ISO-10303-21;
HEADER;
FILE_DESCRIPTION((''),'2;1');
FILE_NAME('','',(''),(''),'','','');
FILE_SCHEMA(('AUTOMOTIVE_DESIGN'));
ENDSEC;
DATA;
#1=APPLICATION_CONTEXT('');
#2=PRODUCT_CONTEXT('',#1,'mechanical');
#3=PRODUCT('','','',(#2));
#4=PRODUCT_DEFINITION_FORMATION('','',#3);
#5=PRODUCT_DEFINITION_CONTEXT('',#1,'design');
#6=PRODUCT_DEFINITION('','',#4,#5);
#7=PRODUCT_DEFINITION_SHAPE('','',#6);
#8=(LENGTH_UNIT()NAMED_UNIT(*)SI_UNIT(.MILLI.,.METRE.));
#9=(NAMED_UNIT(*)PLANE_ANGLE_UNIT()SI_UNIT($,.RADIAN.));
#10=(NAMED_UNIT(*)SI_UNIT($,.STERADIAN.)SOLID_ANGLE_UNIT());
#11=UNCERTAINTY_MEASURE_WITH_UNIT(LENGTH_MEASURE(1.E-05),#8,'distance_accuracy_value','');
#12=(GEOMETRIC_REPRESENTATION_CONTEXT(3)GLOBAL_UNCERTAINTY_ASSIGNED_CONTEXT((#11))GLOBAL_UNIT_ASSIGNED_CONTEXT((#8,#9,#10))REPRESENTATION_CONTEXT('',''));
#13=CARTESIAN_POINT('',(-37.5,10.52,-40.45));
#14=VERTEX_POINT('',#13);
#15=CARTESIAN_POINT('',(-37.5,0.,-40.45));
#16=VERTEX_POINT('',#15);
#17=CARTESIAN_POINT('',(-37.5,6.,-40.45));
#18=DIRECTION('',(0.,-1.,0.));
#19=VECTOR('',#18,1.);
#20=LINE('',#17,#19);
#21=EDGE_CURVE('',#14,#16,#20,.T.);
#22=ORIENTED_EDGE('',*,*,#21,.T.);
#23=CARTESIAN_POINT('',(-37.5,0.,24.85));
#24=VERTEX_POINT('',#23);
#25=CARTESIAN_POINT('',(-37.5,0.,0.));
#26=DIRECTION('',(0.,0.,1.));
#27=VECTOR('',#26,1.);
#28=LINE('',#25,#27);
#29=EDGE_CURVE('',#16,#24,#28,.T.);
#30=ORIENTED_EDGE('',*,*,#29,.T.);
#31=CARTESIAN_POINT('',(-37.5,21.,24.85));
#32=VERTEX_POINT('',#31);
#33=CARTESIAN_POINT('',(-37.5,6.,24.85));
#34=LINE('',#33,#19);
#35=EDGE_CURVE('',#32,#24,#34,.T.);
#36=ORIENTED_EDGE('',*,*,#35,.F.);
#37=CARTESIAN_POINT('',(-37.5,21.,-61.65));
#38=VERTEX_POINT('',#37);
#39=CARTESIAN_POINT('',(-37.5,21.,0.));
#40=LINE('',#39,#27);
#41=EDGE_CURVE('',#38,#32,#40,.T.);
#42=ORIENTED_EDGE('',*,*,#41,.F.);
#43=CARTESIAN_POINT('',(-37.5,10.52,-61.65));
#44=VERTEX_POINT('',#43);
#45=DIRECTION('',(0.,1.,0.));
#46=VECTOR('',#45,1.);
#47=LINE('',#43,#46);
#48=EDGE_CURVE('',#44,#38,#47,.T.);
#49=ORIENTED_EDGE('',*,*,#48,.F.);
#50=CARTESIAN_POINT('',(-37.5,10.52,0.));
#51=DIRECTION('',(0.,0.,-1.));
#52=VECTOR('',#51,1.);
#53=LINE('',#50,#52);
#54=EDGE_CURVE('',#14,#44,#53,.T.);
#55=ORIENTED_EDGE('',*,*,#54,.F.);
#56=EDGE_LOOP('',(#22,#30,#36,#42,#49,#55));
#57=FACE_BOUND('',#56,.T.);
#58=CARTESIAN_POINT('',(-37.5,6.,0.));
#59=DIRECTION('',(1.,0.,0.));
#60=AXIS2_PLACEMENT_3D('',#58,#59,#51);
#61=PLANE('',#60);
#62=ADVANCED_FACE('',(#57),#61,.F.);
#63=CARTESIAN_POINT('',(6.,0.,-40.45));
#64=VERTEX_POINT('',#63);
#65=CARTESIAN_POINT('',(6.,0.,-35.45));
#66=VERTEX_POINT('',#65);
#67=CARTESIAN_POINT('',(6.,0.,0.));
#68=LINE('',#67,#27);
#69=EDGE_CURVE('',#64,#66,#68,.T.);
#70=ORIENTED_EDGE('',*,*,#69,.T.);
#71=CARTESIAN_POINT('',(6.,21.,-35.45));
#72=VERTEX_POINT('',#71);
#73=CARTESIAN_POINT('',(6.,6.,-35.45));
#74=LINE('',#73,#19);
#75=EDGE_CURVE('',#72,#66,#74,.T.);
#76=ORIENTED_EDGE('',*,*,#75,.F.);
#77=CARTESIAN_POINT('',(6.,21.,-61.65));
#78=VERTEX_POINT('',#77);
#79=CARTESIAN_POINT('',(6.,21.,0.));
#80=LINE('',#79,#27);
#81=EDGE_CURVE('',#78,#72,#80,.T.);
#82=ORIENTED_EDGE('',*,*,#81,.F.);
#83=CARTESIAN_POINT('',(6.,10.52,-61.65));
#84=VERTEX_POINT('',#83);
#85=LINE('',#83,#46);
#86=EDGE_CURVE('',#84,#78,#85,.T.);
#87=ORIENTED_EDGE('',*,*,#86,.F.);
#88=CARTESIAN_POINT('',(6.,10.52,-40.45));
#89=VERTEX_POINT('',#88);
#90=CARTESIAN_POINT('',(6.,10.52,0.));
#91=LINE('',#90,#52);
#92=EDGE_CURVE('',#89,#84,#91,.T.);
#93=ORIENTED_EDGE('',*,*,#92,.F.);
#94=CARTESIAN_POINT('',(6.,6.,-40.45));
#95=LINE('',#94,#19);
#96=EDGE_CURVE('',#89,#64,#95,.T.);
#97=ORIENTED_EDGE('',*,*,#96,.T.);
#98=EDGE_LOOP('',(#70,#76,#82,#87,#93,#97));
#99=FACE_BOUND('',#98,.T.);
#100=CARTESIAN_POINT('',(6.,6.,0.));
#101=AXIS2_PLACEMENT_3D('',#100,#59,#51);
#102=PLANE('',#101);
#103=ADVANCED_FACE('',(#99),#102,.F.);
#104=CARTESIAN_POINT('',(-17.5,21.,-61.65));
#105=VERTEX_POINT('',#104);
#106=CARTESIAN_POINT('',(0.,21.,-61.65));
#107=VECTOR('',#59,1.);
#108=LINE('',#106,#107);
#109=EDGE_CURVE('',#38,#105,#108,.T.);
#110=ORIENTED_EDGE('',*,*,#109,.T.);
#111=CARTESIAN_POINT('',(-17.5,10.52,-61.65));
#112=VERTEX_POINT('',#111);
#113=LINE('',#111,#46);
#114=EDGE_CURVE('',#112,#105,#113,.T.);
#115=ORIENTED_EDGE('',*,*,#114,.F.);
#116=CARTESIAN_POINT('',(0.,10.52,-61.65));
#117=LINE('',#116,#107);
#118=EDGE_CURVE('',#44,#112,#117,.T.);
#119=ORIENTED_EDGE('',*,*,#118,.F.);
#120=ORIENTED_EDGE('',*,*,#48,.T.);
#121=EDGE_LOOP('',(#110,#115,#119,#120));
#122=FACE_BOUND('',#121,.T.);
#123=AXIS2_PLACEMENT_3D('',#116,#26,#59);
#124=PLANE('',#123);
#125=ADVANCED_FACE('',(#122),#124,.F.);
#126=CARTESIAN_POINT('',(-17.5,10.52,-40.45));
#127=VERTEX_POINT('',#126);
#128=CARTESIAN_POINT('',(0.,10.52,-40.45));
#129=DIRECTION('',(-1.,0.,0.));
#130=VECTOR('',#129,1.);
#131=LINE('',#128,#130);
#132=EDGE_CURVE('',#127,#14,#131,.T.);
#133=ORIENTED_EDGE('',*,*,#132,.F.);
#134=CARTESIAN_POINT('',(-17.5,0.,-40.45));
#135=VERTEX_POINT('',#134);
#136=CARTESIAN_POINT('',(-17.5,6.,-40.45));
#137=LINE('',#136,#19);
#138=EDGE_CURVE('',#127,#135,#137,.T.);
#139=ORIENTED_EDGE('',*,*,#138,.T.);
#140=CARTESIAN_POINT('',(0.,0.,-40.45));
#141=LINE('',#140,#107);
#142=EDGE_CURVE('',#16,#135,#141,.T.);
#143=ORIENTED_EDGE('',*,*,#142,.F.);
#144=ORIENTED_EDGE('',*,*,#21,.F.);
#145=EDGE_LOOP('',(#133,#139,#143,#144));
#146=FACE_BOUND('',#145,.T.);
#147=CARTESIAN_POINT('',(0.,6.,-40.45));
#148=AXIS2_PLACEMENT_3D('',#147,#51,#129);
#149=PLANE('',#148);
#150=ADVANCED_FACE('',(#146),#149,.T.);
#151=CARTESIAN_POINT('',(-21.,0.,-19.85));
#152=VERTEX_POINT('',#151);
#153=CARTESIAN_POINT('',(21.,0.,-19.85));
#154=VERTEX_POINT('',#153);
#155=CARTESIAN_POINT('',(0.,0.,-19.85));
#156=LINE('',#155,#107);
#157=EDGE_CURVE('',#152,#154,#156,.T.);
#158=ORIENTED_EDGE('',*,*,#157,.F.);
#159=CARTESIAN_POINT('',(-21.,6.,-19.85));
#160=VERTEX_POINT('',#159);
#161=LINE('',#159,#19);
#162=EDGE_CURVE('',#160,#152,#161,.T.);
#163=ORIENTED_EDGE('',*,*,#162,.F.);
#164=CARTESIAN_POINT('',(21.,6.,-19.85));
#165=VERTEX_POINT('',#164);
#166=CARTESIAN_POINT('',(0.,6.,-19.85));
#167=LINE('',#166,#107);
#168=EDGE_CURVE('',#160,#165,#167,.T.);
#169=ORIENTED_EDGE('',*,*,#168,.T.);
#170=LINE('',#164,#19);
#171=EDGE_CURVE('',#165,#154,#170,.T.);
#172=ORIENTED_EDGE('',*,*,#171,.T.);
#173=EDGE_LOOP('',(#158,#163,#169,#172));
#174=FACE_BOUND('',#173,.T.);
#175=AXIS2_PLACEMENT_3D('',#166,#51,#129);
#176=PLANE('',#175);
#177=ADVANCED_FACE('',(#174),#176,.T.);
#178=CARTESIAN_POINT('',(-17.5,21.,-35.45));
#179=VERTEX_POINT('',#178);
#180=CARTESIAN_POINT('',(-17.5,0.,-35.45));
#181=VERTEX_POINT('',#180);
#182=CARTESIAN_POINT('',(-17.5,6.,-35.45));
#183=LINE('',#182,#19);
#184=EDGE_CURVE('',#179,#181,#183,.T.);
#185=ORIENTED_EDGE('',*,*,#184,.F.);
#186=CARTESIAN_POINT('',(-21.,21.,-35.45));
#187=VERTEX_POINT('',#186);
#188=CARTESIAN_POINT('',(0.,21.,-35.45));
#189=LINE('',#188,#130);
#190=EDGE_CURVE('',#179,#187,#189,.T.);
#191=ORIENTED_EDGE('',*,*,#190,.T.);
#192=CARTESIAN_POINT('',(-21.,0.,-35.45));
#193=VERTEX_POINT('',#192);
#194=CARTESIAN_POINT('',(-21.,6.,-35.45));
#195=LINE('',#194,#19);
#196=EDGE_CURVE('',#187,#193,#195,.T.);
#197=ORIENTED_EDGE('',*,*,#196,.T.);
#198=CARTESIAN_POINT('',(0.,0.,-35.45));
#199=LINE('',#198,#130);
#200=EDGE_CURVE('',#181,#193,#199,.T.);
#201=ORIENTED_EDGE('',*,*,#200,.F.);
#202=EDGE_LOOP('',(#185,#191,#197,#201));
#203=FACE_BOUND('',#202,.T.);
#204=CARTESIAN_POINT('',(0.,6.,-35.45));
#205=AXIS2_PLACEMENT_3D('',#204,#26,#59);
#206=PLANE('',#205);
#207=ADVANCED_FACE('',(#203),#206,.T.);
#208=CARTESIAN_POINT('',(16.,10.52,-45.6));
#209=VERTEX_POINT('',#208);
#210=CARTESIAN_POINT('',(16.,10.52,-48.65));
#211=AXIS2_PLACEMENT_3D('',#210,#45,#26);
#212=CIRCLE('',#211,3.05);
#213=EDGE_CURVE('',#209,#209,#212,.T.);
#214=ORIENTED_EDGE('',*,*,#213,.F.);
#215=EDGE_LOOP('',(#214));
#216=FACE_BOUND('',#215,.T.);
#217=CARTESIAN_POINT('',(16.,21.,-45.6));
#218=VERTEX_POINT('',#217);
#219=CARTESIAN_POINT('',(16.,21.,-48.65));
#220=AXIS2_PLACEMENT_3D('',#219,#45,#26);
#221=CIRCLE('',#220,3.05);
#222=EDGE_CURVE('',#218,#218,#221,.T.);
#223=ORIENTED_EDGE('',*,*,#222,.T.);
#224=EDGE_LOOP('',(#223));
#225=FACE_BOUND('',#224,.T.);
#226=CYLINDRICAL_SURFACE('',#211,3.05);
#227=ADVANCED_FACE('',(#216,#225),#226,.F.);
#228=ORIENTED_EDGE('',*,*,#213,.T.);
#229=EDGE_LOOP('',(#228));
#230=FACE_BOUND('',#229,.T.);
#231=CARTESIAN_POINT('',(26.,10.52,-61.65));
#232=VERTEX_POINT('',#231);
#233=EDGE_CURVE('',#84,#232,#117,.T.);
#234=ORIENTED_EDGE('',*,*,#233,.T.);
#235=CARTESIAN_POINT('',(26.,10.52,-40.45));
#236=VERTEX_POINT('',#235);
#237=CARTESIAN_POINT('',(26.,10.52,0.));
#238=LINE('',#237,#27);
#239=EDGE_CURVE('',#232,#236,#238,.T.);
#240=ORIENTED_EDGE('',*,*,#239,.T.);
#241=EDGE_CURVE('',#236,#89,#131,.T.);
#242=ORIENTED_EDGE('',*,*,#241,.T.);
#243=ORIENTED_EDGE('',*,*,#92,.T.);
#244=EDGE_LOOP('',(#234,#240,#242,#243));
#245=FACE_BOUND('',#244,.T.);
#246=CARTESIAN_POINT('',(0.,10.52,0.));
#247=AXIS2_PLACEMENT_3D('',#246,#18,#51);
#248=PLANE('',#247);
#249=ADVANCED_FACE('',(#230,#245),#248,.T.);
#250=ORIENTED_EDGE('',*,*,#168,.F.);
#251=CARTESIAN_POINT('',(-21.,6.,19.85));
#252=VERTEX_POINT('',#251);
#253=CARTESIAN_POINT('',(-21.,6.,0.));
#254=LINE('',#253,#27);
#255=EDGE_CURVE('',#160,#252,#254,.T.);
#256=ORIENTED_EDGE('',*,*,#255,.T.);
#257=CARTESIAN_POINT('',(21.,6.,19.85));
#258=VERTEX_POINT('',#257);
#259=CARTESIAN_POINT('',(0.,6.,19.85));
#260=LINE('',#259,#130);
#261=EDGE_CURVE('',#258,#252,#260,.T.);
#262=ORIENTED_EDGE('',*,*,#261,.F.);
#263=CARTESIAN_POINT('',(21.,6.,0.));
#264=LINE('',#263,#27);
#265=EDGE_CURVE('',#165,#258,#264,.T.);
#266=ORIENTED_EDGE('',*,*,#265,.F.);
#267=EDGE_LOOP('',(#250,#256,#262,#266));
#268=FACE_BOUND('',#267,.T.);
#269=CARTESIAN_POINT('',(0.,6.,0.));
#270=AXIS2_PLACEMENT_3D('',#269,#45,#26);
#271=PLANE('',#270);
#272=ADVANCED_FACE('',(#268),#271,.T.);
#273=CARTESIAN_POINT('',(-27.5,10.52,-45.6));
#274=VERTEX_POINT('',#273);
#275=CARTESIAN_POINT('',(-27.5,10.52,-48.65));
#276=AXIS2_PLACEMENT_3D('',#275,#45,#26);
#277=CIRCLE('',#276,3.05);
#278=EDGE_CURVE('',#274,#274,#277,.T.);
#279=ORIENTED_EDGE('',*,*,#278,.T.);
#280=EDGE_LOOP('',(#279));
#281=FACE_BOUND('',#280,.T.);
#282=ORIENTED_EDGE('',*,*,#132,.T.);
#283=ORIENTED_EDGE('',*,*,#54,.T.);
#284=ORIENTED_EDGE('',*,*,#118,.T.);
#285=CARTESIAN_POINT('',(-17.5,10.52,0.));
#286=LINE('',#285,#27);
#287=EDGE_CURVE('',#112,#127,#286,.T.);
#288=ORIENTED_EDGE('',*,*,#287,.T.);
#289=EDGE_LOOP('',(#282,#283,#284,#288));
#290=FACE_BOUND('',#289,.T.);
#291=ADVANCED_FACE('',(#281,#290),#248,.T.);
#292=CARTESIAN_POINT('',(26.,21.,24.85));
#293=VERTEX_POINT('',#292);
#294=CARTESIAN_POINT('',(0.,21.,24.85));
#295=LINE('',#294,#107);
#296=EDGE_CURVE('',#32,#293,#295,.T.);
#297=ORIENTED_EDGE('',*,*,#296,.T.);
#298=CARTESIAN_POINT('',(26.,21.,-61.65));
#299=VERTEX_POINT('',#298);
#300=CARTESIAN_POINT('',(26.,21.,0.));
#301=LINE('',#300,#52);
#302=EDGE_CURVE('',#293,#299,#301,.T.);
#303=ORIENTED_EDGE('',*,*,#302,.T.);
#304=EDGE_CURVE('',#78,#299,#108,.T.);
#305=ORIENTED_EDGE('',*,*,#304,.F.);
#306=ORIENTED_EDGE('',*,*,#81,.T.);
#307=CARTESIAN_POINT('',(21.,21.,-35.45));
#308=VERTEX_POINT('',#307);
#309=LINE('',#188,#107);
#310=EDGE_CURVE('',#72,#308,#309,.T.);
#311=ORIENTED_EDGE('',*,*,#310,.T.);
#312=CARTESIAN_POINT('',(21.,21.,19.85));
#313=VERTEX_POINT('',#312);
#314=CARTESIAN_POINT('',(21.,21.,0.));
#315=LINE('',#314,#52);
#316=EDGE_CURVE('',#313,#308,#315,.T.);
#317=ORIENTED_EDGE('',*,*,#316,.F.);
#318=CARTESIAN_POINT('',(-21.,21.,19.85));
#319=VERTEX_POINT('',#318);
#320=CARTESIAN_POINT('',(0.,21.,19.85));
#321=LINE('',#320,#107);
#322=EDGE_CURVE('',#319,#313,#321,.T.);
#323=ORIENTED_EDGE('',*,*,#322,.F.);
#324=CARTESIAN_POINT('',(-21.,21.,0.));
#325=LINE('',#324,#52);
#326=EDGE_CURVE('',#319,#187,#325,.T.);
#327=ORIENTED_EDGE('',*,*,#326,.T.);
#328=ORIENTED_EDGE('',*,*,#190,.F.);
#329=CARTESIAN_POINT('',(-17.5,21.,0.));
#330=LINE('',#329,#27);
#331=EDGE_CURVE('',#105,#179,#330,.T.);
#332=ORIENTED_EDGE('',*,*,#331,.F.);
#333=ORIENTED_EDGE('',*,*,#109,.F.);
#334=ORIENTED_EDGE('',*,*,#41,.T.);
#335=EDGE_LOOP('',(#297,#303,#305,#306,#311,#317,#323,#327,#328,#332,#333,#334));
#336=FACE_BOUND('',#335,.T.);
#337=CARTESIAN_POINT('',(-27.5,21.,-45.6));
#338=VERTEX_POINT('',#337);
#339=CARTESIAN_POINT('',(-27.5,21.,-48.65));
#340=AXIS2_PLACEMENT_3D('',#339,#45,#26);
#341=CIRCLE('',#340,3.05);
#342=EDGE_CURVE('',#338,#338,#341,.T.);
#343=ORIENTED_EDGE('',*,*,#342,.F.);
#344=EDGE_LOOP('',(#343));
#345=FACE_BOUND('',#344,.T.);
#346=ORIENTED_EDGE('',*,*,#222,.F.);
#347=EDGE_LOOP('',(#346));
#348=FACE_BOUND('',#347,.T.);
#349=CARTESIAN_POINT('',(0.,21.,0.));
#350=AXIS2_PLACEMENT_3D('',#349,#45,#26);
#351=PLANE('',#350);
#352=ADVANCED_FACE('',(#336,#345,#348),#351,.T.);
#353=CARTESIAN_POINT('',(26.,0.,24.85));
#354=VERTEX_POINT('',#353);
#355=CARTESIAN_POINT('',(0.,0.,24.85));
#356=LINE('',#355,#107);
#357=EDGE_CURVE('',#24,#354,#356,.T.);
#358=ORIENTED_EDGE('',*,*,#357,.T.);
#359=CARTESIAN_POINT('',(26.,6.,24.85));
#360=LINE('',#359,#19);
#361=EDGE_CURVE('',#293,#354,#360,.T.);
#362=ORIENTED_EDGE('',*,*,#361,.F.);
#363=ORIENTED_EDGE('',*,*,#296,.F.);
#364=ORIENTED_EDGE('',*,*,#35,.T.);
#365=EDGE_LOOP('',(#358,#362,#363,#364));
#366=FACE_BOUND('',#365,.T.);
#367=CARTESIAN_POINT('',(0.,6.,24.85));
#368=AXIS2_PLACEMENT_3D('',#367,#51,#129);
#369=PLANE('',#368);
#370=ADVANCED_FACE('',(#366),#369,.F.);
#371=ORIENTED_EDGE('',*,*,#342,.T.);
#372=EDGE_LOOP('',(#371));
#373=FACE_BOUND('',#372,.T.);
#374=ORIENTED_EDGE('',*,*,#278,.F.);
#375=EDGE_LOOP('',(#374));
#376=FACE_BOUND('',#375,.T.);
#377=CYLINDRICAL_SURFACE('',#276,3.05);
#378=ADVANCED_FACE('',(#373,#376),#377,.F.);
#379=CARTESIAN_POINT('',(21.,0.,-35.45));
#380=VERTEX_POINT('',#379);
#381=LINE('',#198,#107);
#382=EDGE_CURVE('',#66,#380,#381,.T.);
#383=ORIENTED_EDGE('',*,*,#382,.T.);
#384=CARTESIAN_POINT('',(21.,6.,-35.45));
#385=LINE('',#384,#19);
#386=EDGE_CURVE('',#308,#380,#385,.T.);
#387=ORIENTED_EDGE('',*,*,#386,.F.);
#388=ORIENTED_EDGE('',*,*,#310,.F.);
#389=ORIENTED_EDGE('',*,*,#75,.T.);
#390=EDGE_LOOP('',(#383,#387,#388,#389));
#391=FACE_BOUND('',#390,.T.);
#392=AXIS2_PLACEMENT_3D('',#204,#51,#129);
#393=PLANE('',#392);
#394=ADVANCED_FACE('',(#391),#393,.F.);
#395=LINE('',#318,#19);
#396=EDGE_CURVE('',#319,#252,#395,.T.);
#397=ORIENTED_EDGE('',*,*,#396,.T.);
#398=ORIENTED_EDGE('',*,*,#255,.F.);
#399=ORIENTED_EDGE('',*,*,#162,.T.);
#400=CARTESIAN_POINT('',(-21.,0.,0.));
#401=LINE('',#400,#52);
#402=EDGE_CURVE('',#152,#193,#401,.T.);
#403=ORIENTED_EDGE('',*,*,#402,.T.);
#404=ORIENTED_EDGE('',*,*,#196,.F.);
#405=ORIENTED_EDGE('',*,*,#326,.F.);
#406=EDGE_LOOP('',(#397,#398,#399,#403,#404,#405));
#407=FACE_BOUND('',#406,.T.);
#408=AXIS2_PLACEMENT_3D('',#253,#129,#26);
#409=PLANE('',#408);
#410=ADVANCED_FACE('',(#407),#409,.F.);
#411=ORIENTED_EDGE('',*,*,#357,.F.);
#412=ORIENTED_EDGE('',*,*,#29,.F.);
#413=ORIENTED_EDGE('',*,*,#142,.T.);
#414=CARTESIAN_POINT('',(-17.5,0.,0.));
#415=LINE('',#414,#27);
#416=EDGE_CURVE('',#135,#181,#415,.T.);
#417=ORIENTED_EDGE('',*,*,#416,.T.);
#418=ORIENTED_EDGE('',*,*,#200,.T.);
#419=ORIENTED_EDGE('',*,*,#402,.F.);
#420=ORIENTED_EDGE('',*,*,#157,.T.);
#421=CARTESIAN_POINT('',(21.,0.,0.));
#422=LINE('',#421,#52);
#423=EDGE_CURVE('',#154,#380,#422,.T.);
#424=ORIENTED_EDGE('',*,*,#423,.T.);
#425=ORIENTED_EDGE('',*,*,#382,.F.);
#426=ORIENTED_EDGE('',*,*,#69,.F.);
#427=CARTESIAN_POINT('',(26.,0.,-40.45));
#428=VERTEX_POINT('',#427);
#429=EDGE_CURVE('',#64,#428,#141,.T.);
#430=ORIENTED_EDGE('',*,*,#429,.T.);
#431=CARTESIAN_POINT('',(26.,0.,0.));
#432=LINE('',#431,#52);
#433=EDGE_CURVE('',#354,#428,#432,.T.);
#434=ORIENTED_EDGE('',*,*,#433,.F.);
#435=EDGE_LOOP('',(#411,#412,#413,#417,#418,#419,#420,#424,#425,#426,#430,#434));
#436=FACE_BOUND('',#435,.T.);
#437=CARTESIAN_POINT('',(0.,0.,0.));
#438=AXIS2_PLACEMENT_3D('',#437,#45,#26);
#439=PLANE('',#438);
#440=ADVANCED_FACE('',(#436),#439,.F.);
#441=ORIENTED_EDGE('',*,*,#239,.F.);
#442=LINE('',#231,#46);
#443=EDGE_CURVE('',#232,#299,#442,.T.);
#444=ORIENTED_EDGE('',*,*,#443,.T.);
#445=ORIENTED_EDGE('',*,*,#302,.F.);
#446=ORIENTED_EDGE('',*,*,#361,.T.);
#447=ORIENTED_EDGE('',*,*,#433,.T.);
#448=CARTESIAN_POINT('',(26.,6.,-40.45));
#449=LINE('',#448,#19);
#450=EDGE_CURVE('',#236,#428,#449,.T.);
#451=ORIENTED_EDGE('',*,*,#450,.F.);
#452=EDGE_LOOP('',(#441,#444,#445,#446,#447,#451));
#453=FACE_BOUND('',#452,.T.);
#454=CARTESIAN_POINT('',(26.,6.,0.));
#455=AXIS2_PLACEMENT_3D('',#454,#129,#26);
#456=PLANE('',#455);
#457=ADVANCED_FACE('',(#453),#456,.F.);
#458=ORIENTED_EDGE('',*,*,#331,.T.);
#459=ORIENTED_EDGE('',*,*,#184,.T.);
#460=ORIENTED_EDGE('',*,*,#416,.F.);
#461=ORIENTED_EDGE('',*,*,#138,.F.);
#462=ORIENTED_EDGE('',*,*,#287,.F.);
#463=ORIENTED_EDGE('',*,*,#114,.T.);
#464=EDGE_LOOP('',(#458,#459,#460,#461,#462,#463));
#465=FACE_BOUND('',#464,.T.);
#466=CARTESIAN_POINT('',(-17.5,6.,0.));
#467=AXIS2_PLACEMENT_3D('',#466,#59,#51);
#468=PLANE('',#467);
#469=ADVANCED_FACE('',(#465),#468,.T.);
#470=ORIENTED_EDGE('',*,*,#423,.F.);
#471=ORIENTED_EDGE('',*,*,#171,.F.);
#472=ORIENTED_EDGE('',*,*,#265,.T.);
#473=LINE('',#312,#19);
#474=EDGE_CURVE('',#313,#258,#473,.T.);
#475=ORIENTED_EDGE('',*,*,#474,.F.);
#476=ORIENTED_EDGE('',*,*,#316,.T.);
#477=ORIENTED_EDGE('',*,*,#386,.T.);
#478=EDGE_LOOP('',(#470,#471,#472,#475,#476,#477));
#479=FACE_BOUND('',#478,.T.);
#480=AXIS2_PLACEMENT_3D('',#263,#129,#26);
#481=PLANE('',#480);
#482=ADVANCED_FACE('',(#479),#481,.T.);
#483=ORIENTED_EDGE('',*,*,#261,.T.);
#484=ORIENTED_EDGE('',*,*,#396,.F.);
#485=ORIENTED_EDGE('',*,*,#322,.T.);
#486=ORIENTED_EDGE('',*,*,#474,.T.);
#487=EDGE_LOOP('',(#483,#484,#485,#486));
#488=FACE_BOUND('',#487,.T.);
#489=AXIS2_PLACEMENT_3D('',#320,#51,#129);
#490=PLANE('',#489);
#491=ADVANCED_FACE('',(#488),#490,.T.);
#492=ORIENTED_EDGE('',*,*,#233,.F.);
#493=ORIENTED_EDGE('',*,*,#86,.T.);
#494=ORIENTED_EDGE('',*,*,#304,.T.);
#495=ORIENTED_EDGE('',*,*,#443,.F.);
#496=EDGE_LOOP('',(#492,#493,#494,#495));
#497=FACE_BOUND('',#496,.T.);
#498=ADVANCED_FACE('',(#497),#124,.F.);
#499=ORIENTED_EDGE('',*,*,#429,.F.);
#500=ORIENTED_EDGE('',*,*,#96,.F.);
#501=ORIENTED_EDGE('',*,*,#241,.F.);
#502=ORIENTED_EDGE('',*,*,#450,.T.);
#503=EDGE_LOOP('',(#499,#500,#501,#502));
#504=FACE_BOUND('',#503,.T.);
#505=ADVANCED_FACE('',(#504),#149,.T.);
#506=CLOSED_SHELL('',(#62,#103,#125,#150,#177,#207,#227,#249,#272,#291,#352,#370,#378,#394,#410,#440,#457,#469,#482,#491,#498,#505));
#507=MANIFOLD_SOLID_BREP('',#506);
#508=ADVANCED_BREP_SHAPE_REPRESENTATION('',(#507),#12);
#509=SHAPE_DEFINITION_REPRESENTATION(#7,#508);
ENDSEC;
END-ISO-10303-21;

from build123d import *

# Parameters (mm, degrees)
BOSS_EXTRUDE1_DEPTH = 6
BOSS_EXTRUDE2_DEPTH = 21
BOSS_EXTRUDE3_START = 21
SKETCH1_6_W         = 20
SKETCH1_6_H         = 21.2
SKETCH1_6_R         = 3.05
BOSS_EXTRUDE3_DEPTH = 10.48


with BuildPart() as part:
    # Sketch1 → Boss-Extrude1 (new body)
    with BuildSketch(Plane(origin=(0, 0, 0), x_dir=(1, 0, 0), z_dir=(0, 1, 0))):
        Polygon((-37.5, 40.45), (-37.5, -24.85), (26, -24.85), (26, 40.45), (6, 40.45), (6, 35.45), (21, 35.45), (21, 19.85), (-21, 19.85), (-21, 35.45), (-17.5, 35.45), (-17.5, 40.45), align=None)
    extrude(amount=BOSS_EXTRUDE1_DEPTH)

    # Sketch1_5 → Boss-Extrude2 (add)
    with BuildSketch(Plane(origin=(0, 0, 0), x_dir=(1, 0, 0), z_dir=(0, 1, 0))):
        Polygon((-37.5, 40.45), (-37.5, -24.85), (26, -24.85), (26, 40.45), (6, 40.45), (6, 35.45), (21, 35.45), (21, 19.85), (21, -19.85), (-21, -19.85), (-21, 19.85), (-21, 35.45), (-17.5, 35.45), (-17.5, 40.45), align=None)
    extrude(amount=BOSS_EXTRUDE2_DEPTH)

    # Sketch1_6 → Boss-Extrude3 (add)
    with BuildSketch(Plane(origin=(0, 0, 0), x_dir=(1, 0, 0), z_dir=(0, 1, 0)).offset(BOSS_EXTRUDE3_START)):
        with Locations((-27.5, 51.05)):
            Rectangle(SKETCH1_6_W, SKETCH1_6_H)
        with Locations(Location((-27.5, 48.65, 0), (0, 0, 270))):
            Circle(SKETCH1_6_R, mode=Mode.SUBTRACT)
        with Locations((16, 51.05)):
            Rectangle(SKETCH1_6_W, SKETCH1_6_H)
        with Locations(Location((16, 48.65, 0), (0, 0, 270))):
            Circle(SKETCH1_6_R, mode=Mode.SUBTRACT)
    extrude(amount=-BOSS_EXTRUDE3_DEPTH)


solid = part.part
